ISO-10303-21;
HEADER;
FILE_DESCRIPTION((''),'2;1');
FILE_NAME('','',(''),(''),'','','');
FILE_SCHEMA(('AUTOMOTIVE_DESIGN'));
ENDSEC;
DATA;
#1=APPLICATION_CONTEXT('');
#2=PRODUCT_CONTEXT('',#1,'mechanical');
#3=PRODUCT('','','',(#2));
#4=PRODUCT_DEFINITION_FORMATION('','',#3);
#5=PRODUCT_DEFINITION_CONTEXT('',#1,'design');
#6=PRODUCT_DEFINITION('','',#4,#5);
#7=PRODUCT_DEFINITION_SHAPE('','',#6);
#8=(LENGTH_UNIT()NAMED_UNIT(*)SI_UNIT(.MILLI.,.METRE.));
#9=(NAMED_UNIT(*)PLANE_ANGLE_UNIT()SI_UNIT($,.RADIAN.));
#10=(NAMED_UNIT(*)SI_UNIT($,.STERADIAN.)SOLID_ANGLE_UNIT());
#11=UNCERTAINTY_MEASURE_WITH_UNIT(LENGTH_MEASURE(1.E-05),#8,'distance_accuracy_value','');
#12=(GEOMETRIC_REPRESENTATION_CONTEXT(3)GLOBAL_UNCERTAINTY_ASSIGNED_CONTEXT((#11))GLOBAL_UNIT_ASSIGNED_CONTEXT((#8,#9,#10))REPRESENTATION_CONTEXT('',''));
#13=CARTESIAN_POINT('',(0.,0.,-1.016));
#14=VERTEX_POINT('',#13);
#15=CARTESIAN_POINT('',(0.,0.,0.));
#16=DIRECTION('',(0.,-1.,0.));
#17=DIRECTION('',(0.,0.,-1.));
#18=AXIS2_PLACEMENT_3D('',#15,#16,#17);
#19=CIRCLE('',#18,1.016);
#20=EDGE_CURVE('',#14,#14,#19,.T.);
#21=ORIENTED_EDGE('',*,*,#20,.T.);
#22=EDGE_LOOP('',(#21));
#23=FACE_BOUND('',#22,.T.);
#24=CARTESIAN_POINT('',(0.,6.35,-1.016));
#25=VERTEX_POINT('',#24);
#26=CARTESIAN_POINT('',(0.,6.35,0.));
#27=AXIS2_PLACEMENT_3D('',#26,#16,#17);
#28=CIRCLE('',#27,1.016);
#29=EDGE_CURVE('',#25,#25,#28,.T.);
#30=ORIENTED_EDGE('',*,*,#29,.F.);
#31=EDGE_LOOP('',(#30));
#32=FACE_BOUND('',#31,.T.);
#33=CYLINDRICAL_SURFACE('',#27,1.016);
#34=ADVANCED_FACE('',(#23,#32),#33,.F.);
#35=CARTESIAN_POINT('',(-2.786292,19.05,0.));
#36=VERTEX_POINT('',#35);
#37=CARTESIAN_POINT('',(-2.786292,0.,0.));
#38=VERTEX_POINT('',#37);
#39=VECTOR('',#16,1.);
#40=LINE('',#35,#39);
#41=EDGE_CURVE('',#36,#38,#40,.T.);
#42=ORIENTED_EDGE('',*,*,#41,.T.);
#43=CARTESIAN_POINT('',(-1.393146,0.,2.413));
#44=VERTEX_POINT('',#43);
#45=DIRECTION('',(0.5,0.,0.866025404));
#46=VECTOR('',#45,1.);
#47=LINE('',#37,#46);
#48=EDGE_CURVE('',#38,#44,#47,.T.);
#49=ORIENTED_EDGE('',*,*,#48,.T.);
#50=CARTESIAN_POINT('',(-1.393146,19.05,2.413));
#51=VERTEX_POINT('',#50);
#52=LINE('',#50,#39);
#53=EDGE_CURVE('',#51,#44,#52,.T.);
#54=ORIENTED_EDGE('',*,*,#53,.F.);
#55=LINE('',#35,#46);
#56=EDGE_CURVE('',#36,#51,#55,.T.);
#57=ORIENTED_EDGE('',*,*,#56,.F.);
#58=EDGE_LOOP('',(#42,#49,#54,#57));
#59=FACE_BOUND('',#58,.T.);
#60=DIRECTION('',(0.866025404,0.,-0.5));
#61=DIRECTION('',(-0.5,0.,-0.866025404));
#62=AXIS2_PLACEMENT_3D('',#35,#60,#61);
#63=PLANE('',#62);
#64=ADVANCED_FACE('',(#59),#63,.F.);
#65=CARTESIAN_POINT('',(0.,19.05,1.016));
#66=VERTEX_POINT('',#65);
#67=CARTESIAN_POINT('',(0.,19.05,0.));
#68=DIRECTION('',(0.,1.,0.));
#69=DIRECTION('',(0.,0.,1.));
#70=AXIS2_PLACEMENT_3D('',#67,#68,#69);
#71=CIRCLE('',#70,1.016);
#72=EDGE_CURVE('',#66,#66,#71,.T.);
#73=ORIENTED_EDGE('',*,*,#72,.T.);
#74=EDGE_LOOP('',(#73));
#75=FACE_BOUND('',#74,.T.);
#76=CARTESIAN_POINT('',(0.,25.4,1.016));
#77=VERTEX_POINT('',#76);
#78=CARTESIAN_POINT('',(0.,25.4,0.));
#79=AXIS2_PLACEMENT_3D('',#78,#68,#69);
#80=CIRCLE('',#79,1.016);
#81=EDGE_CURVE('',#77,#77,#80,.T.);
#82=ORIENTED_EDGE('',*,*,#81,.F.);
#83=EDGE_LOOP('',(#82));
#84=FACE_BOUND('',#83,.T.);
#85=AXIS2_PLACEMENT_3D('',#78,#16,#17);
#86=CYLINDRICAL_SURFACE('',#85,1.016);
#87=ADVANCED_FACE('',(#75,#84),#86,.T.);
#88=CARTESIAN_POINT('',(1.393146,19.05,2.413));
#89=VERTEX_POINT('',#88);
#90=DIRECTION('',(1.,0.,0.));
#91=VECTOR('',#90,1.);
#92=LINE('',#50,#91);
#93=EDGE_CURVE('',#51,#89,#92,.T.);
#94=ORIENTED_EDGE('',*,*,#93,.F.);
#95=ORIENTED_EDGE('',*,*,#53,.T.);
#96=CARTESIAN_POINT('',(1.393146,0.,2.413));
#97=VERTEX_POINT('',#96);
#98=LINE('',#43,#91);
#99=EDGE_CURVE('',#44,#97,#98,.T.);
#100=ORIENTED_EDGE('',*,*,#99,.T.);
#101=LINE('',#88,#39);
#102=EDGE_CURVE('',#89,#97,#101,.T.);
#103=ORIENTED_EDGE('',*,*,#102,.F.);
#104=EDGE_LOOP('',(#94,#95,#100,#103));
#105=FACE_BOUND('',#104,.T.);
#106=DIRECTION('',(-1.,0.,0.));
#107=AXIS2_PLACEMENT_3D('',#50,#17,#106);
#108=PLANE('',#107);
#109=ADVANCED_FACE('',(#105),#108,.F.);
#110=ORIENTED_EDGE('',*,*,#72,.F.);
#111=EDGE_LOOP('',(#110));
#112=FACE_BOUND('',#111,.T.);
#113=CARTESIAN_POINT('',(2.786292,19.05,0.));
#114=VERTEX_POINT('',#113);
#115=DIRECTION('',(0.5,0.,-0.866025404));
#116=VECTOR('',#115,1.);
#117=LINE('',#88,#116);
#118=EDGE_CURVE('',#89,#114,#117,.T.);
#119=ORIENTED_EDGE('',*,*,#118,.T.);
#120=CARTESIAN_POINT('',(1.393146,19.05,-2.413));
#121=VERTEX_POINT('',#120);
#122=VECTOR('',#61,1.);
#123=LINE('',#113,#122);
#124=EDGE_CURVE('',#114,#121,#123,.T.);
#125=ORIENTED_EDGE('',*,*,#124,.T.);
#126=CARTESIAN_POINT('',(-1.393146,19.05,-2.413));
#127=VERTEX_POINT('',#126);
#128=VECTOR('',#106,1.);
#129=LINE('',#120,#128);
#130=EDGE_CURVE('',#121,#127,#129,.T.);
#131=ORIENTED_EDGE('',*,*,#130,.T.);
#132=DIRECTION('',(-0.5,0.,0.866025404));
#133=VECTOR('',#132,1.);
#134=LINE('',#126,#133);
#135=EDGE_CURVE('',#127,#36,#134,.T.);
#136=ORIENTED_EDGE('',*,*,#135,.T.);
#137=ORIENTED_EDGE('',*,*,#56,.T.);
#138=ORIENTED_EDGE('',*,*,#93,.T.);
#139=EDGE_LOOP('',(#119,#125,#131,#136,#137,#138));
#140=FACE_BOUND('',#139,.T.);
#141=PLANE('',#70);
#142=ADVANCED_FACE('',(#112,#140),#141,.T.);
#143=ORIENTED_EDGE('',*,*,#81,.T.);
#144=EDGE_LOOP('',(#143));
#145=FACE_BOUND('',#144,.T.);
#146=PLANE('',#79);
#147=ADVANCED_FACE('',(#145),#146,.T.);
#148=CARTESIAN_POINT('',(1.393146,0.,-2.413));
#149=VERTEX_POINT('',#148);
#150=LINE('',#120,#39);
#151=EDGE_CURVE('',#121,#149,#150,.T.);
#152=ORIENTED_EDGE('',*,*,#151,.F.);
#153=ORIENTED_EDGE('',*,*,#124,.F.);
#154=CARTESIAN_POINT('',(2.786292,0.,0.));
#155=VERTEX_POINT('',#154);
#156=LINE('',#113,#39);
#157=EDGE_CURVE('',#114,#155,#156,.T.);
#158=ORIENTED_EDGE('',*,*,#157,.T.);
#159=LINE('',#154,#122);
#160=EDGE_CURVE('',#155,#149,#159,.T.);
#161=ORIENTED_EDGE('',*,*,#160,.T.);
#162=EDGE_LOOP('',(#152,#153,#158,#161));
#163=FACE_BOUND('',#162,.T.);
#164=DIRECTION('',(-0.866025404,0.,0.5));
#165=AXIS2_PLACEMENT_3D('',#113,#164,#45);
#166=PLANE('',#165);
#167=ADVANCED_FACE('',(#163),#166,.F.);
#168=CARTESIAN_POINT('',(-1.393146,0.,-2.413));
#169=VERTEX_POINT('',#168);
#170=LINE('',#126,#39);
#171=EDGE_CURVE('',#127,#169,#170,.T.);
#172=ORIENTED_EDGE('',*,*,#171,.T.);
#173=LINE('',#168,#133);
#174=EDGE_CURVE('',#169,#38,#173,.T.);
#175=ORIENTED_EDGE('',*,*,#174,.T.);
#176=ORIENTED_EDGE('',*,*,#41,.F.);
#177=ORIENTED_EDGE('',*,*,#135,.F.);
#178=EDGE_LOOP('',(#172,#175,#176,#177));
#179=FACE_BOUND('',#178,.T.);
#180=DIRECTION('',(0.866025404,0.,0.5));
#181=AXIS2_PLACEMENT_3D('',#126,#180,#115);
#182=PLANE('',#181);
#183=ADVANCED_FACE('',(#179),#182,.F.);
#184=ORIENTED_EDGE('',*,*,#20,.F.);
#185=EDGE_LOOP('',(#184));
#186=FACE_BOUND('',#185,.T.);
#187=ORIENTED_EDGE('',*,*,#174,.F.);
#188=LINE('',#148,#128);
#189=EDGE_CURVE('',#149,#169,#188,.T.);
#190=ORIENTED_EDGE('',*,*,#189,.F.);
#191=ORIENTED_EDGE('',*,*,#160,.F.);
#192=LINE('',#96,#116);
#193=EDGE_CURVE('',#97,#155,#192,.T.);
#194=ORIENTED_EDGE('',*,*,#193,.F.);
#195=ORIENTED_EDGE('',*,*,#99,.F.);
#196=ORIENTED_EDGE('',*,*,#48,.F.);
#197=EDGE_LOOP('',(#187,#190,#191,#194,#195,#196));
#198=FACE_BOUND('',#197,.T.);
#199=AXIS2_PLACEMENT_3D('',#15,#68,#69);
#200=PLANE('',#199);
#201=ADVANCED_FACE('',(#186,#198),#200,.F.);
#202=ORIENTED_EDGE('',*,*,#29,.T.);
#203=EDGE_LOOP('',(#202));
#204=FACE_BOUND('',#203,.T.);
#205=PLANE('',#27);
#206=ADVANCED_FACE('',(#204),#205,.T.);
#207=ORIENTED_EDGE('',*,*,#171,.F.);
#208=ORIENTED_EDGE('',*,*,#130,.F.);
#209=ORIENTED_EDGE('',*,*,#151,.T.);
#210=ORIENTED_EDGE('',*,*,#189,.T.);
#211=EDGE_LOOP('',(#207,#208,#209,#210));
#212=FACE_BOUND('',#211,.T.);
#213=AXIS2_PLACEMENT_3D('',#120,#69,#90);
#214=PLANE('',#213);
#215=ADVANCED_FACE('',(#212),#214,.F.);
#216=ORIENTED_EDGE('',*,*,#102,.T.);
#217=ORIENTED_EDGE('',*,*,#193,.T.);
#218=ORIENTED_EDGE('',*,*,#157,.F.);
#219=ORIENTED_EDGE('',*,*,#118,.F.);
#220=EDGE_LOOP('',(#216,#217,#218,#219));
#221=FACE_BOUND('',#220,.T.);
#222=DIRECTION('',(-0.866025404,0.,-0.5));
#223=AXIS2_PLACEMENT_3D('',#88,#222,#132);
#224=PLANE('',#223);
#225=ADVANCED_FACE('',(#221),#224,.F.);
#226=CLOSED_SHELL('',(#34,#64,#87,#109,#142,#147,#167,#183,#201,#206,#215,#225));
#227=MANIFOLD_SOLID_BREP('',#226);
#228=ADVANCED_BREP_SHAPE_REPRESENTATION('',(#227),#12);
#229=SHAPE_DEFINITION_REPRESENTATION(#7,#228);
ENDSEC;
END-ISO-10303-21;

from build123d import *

# Parameters (mm, degrees)
BOSS_EXTRUDE1_DEPTH = 19.05
SKETCH2_R           = 1.016
BOSS_EXTRUDE2_DEPTH = 6.35
SKETCH3_R           = 1.016
CUT_EXTRUDE1_DEPTH  = 6.35


with BuildPart() as part:
    # Sketch1 → Boss-Extrude1 (new body)
    with BuildSketch(Plane(origin=(0, 0, 0), x_dir=(1, 0, 0), z_dir=(0, 1, 0))):
        Polygon((1.3931462, -2.413), (2.786292399, 0), (1.3931462, 2.413), (-1.3931462, 2.413), (-2.786292399, 0), (-1.3931462, -2.413), align=None)
    extrude(amount=BOSS_EXTRUDE1_DEPTH)

    # Sketch2 → Boss-Extrude2 (add)
    with BuildSketch(Plane(origin=(0, 19.05, 0), x_dir=(1, 0, 0), z_dir=(0, 1, 0))):
        Circle(SKETCH2_R)
    extrude(amount=BOSS_EXTRUDE2_DEPTH)

    # Sketch3 → Cut-Extrude1 (cut)
    with BuildSketch(Plane.XZ):
        Circle(SKETCH3_R)
    extrude(amount=-CUT_EXTRUDE1_DEPTH, mode=Mode.SUBTRACT)


solid = part.part
